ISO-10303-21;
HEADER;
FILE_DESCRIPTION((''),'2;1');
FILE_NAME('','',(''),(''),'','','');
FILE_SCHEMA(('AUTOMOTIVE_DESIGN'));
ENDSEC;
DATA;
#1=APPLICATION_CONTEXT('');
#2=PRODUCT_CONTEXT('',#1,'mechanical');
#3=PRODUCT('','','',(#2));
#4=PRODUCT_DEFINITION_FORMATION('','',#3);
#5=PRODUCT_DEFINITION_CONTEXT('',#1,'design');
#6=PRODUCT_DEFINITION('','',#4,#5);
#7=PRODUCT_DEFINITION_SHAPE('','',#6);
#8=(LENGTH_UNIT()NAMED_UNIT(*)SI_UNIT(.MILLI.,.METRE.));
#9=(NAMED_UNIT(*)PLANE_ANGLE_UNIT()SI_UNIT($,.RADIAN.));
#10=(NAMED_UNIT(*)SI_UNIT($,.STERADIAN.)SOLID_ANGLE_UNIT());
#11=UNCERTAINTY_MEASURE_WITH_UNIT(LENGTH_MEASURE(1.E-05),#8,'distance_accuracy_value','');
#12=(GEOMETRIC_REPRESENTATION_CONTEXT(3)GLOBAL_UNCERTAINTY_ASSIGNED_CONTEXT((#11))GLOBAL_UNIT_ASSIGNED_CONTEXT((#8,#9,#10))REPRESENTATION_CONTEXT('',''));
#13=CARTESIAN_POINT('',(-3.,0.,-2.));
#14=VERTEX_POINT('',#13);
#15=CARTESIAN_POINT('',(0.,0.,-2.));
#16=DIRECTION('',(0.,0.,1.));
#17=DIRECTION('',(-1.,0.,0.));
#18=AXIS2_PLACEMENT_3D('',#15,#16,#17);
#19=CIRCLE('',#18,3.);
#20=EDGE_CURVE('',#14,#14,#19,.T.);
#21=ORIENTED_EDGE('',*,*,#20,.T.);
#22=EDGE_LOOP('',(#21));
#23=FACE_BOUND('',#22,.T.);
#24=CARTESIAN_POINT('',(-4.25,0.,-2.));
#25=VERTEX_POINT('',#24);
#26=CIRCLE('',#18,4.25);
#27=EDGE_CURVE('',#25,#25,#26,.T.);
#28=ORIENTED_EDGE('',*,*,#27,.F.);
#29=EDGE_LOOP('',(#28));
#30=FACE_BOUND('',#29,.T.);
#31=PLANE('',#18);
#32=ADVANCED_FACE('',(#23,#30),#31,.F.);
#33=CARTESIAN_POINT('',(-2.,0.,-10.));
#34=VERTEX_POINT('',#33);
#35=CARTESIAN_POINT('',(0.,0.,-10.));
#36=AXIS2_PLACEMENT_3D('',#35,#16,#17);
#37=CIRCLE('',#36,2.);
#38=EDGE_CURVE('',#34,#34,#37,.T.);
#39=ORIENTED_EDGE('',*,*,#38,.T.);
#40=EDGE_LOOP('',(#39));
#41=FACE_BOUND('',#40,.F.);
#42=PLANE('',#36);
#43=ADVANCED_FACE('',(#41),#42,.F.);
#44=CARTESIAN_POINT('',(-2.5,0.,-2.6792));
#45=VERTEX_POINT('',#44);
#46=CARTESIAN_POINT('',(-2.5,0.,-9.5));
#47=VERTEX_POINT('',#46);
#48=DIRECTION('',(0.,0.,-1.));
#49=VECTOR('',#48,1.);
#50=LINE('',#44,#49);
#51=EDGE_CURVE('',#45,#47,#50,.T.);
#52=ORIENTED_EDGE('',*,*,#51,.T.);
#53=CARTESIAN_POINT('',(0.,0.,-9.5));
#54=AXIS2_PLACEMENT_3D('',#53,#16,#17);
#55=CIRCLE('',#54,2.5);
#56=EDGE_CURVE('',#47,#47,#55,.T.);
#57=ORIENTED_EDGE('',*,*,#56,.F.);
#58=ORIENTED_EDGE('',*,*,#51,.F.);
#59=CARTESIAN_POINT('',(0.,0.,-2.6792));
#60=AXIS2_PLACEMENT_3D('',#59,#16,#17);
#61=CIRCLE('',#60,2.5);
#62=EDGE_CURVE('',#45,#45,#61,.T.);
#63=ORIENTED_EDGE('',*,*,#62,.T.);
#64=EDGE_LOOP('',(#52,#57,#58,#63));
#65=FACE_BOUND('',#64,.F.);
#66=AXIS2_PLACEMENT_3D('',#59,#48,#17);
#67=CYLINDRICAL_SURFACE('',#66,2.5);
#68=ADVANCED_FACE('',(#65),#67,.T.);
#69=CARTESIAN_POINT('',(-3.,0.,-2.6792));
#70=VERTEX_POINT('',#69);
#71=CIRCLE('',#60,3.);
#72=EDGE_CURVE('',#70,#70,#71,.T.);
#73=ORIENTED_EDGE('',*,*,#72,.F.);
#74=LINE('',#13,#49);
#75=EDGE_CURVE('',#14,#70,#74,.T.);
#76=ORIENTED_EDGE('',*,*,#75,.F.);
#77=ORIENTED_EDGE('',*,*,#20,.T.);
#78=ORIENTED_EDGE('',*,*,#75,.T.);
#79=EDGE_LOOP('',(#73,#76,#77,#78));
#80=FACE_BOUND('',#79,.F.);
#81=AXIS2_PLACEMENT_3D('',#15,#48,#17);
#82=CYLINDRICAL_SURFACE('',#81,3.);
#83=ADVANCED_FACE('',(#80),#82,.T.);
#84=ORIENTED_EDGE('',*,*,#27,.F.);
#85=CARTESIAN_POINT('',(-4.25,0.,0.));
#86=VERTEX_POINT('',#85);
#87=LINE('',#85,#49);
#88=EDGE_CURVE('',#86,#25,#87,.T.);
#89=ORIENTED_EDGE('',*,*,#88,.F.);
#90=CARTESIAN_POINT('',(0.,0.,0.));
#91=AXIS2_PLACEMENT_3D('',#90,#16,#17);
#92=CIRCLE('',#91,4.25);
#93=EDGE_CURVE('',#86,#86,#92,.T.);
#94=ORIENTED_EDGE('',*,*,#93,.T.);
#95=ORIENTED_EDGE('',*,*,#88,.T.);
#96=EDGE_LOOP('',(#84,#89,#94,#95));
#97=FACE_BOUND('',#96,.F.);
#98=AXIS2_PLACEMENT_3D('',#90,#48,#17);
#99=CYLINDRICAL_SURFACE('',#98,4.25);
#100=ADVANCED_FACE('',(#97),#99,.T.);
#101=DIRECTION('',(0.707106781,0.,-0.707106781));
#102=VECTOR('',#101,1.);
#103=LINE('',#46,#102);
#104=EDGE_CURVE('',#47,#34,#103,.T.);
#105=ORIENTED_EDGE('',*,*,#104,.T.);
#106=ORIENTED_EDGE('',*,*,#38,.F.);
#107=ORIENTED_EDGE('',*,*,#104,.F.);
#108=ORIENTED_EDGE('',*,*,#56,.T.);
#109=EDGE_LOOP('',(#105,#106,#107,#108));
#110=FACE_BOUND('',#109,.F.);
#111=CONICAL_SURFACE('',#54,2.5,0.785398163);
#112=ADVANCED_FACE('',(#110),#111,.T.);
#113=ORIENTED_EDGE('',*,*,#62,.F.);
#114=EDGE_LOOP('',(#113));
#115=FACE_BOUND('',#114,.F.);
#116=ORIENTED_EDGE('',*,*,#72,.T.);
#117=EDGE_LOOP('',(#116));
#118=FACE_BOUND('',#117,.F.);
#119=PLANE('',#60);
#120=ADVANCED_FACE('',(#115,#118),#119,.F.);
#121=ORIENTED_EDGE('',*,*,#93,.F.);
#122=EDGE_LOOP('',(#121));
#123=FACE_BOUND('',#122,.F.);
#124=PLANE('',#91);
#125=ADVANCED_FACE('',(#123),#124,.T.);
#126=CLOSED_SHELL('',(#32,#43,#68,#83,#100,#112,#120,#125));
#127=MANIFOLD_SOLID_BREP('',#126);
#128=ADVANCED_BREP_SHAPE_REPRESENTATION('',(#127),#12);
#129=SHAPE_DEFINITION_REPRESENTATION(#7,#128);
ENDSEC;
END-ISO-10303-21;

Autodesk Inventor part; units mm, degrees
ref_plane "YZ Plane" through (0, 0, 0) normal (1, 0, 0) x (0, 1, 0)
ref_plane "XZ Plane" through (0, 0, 0) normal (0, 1, 0) x (-1, 0, 0)
ref_plane "XY Plane" through (0, 0, 0) normal (0, 0, 1) x (1, 0, 0)
sketch "Эскиз1" plane through (0, 0, 0) normal (0, 1, 0) x (-1, 0, 0)
  line L0 (0, 0) -> (4.25, 0)
  line L1 (4.25, 0) -> (4.25, -2)
  line L2 (0, -2) -> (2.5, -2)
  line L3 (2.5, -2.6792) -> (2.5, -10)
  line L4 (2.5, -10) -> (0, -10)
  line L5 (0, -10) -> (0, -2)
  line L6 (2.5, -2) -> (3, -2)
  line L7 (3, -2) -> (3, -2.6792)
  line L8 (3, -2.6792) -> (2.5, -2.6792)
  line L9 (3, -2) -> (4.25, -2)
  line L10 (0, 0) -> (0, -2)
  dimension "d0" = 4.25
  dimension "d1" = 2
  dimension "d3" = 8
  dimension "d4" = 0.5
revolve "Вращение1" add sketch "Эскиз1" angle 360 about axis through (0, 0, -10) along (0, 0, 1)
thread "Резьба1" size "M5x0.8" class "6g" standard "ISO Metric profile" full length
chamfer "Фаска1" distance 0.5 angle 45 1 edges at (2.5, 0, -10)
properties part number "Болт штурвал"
